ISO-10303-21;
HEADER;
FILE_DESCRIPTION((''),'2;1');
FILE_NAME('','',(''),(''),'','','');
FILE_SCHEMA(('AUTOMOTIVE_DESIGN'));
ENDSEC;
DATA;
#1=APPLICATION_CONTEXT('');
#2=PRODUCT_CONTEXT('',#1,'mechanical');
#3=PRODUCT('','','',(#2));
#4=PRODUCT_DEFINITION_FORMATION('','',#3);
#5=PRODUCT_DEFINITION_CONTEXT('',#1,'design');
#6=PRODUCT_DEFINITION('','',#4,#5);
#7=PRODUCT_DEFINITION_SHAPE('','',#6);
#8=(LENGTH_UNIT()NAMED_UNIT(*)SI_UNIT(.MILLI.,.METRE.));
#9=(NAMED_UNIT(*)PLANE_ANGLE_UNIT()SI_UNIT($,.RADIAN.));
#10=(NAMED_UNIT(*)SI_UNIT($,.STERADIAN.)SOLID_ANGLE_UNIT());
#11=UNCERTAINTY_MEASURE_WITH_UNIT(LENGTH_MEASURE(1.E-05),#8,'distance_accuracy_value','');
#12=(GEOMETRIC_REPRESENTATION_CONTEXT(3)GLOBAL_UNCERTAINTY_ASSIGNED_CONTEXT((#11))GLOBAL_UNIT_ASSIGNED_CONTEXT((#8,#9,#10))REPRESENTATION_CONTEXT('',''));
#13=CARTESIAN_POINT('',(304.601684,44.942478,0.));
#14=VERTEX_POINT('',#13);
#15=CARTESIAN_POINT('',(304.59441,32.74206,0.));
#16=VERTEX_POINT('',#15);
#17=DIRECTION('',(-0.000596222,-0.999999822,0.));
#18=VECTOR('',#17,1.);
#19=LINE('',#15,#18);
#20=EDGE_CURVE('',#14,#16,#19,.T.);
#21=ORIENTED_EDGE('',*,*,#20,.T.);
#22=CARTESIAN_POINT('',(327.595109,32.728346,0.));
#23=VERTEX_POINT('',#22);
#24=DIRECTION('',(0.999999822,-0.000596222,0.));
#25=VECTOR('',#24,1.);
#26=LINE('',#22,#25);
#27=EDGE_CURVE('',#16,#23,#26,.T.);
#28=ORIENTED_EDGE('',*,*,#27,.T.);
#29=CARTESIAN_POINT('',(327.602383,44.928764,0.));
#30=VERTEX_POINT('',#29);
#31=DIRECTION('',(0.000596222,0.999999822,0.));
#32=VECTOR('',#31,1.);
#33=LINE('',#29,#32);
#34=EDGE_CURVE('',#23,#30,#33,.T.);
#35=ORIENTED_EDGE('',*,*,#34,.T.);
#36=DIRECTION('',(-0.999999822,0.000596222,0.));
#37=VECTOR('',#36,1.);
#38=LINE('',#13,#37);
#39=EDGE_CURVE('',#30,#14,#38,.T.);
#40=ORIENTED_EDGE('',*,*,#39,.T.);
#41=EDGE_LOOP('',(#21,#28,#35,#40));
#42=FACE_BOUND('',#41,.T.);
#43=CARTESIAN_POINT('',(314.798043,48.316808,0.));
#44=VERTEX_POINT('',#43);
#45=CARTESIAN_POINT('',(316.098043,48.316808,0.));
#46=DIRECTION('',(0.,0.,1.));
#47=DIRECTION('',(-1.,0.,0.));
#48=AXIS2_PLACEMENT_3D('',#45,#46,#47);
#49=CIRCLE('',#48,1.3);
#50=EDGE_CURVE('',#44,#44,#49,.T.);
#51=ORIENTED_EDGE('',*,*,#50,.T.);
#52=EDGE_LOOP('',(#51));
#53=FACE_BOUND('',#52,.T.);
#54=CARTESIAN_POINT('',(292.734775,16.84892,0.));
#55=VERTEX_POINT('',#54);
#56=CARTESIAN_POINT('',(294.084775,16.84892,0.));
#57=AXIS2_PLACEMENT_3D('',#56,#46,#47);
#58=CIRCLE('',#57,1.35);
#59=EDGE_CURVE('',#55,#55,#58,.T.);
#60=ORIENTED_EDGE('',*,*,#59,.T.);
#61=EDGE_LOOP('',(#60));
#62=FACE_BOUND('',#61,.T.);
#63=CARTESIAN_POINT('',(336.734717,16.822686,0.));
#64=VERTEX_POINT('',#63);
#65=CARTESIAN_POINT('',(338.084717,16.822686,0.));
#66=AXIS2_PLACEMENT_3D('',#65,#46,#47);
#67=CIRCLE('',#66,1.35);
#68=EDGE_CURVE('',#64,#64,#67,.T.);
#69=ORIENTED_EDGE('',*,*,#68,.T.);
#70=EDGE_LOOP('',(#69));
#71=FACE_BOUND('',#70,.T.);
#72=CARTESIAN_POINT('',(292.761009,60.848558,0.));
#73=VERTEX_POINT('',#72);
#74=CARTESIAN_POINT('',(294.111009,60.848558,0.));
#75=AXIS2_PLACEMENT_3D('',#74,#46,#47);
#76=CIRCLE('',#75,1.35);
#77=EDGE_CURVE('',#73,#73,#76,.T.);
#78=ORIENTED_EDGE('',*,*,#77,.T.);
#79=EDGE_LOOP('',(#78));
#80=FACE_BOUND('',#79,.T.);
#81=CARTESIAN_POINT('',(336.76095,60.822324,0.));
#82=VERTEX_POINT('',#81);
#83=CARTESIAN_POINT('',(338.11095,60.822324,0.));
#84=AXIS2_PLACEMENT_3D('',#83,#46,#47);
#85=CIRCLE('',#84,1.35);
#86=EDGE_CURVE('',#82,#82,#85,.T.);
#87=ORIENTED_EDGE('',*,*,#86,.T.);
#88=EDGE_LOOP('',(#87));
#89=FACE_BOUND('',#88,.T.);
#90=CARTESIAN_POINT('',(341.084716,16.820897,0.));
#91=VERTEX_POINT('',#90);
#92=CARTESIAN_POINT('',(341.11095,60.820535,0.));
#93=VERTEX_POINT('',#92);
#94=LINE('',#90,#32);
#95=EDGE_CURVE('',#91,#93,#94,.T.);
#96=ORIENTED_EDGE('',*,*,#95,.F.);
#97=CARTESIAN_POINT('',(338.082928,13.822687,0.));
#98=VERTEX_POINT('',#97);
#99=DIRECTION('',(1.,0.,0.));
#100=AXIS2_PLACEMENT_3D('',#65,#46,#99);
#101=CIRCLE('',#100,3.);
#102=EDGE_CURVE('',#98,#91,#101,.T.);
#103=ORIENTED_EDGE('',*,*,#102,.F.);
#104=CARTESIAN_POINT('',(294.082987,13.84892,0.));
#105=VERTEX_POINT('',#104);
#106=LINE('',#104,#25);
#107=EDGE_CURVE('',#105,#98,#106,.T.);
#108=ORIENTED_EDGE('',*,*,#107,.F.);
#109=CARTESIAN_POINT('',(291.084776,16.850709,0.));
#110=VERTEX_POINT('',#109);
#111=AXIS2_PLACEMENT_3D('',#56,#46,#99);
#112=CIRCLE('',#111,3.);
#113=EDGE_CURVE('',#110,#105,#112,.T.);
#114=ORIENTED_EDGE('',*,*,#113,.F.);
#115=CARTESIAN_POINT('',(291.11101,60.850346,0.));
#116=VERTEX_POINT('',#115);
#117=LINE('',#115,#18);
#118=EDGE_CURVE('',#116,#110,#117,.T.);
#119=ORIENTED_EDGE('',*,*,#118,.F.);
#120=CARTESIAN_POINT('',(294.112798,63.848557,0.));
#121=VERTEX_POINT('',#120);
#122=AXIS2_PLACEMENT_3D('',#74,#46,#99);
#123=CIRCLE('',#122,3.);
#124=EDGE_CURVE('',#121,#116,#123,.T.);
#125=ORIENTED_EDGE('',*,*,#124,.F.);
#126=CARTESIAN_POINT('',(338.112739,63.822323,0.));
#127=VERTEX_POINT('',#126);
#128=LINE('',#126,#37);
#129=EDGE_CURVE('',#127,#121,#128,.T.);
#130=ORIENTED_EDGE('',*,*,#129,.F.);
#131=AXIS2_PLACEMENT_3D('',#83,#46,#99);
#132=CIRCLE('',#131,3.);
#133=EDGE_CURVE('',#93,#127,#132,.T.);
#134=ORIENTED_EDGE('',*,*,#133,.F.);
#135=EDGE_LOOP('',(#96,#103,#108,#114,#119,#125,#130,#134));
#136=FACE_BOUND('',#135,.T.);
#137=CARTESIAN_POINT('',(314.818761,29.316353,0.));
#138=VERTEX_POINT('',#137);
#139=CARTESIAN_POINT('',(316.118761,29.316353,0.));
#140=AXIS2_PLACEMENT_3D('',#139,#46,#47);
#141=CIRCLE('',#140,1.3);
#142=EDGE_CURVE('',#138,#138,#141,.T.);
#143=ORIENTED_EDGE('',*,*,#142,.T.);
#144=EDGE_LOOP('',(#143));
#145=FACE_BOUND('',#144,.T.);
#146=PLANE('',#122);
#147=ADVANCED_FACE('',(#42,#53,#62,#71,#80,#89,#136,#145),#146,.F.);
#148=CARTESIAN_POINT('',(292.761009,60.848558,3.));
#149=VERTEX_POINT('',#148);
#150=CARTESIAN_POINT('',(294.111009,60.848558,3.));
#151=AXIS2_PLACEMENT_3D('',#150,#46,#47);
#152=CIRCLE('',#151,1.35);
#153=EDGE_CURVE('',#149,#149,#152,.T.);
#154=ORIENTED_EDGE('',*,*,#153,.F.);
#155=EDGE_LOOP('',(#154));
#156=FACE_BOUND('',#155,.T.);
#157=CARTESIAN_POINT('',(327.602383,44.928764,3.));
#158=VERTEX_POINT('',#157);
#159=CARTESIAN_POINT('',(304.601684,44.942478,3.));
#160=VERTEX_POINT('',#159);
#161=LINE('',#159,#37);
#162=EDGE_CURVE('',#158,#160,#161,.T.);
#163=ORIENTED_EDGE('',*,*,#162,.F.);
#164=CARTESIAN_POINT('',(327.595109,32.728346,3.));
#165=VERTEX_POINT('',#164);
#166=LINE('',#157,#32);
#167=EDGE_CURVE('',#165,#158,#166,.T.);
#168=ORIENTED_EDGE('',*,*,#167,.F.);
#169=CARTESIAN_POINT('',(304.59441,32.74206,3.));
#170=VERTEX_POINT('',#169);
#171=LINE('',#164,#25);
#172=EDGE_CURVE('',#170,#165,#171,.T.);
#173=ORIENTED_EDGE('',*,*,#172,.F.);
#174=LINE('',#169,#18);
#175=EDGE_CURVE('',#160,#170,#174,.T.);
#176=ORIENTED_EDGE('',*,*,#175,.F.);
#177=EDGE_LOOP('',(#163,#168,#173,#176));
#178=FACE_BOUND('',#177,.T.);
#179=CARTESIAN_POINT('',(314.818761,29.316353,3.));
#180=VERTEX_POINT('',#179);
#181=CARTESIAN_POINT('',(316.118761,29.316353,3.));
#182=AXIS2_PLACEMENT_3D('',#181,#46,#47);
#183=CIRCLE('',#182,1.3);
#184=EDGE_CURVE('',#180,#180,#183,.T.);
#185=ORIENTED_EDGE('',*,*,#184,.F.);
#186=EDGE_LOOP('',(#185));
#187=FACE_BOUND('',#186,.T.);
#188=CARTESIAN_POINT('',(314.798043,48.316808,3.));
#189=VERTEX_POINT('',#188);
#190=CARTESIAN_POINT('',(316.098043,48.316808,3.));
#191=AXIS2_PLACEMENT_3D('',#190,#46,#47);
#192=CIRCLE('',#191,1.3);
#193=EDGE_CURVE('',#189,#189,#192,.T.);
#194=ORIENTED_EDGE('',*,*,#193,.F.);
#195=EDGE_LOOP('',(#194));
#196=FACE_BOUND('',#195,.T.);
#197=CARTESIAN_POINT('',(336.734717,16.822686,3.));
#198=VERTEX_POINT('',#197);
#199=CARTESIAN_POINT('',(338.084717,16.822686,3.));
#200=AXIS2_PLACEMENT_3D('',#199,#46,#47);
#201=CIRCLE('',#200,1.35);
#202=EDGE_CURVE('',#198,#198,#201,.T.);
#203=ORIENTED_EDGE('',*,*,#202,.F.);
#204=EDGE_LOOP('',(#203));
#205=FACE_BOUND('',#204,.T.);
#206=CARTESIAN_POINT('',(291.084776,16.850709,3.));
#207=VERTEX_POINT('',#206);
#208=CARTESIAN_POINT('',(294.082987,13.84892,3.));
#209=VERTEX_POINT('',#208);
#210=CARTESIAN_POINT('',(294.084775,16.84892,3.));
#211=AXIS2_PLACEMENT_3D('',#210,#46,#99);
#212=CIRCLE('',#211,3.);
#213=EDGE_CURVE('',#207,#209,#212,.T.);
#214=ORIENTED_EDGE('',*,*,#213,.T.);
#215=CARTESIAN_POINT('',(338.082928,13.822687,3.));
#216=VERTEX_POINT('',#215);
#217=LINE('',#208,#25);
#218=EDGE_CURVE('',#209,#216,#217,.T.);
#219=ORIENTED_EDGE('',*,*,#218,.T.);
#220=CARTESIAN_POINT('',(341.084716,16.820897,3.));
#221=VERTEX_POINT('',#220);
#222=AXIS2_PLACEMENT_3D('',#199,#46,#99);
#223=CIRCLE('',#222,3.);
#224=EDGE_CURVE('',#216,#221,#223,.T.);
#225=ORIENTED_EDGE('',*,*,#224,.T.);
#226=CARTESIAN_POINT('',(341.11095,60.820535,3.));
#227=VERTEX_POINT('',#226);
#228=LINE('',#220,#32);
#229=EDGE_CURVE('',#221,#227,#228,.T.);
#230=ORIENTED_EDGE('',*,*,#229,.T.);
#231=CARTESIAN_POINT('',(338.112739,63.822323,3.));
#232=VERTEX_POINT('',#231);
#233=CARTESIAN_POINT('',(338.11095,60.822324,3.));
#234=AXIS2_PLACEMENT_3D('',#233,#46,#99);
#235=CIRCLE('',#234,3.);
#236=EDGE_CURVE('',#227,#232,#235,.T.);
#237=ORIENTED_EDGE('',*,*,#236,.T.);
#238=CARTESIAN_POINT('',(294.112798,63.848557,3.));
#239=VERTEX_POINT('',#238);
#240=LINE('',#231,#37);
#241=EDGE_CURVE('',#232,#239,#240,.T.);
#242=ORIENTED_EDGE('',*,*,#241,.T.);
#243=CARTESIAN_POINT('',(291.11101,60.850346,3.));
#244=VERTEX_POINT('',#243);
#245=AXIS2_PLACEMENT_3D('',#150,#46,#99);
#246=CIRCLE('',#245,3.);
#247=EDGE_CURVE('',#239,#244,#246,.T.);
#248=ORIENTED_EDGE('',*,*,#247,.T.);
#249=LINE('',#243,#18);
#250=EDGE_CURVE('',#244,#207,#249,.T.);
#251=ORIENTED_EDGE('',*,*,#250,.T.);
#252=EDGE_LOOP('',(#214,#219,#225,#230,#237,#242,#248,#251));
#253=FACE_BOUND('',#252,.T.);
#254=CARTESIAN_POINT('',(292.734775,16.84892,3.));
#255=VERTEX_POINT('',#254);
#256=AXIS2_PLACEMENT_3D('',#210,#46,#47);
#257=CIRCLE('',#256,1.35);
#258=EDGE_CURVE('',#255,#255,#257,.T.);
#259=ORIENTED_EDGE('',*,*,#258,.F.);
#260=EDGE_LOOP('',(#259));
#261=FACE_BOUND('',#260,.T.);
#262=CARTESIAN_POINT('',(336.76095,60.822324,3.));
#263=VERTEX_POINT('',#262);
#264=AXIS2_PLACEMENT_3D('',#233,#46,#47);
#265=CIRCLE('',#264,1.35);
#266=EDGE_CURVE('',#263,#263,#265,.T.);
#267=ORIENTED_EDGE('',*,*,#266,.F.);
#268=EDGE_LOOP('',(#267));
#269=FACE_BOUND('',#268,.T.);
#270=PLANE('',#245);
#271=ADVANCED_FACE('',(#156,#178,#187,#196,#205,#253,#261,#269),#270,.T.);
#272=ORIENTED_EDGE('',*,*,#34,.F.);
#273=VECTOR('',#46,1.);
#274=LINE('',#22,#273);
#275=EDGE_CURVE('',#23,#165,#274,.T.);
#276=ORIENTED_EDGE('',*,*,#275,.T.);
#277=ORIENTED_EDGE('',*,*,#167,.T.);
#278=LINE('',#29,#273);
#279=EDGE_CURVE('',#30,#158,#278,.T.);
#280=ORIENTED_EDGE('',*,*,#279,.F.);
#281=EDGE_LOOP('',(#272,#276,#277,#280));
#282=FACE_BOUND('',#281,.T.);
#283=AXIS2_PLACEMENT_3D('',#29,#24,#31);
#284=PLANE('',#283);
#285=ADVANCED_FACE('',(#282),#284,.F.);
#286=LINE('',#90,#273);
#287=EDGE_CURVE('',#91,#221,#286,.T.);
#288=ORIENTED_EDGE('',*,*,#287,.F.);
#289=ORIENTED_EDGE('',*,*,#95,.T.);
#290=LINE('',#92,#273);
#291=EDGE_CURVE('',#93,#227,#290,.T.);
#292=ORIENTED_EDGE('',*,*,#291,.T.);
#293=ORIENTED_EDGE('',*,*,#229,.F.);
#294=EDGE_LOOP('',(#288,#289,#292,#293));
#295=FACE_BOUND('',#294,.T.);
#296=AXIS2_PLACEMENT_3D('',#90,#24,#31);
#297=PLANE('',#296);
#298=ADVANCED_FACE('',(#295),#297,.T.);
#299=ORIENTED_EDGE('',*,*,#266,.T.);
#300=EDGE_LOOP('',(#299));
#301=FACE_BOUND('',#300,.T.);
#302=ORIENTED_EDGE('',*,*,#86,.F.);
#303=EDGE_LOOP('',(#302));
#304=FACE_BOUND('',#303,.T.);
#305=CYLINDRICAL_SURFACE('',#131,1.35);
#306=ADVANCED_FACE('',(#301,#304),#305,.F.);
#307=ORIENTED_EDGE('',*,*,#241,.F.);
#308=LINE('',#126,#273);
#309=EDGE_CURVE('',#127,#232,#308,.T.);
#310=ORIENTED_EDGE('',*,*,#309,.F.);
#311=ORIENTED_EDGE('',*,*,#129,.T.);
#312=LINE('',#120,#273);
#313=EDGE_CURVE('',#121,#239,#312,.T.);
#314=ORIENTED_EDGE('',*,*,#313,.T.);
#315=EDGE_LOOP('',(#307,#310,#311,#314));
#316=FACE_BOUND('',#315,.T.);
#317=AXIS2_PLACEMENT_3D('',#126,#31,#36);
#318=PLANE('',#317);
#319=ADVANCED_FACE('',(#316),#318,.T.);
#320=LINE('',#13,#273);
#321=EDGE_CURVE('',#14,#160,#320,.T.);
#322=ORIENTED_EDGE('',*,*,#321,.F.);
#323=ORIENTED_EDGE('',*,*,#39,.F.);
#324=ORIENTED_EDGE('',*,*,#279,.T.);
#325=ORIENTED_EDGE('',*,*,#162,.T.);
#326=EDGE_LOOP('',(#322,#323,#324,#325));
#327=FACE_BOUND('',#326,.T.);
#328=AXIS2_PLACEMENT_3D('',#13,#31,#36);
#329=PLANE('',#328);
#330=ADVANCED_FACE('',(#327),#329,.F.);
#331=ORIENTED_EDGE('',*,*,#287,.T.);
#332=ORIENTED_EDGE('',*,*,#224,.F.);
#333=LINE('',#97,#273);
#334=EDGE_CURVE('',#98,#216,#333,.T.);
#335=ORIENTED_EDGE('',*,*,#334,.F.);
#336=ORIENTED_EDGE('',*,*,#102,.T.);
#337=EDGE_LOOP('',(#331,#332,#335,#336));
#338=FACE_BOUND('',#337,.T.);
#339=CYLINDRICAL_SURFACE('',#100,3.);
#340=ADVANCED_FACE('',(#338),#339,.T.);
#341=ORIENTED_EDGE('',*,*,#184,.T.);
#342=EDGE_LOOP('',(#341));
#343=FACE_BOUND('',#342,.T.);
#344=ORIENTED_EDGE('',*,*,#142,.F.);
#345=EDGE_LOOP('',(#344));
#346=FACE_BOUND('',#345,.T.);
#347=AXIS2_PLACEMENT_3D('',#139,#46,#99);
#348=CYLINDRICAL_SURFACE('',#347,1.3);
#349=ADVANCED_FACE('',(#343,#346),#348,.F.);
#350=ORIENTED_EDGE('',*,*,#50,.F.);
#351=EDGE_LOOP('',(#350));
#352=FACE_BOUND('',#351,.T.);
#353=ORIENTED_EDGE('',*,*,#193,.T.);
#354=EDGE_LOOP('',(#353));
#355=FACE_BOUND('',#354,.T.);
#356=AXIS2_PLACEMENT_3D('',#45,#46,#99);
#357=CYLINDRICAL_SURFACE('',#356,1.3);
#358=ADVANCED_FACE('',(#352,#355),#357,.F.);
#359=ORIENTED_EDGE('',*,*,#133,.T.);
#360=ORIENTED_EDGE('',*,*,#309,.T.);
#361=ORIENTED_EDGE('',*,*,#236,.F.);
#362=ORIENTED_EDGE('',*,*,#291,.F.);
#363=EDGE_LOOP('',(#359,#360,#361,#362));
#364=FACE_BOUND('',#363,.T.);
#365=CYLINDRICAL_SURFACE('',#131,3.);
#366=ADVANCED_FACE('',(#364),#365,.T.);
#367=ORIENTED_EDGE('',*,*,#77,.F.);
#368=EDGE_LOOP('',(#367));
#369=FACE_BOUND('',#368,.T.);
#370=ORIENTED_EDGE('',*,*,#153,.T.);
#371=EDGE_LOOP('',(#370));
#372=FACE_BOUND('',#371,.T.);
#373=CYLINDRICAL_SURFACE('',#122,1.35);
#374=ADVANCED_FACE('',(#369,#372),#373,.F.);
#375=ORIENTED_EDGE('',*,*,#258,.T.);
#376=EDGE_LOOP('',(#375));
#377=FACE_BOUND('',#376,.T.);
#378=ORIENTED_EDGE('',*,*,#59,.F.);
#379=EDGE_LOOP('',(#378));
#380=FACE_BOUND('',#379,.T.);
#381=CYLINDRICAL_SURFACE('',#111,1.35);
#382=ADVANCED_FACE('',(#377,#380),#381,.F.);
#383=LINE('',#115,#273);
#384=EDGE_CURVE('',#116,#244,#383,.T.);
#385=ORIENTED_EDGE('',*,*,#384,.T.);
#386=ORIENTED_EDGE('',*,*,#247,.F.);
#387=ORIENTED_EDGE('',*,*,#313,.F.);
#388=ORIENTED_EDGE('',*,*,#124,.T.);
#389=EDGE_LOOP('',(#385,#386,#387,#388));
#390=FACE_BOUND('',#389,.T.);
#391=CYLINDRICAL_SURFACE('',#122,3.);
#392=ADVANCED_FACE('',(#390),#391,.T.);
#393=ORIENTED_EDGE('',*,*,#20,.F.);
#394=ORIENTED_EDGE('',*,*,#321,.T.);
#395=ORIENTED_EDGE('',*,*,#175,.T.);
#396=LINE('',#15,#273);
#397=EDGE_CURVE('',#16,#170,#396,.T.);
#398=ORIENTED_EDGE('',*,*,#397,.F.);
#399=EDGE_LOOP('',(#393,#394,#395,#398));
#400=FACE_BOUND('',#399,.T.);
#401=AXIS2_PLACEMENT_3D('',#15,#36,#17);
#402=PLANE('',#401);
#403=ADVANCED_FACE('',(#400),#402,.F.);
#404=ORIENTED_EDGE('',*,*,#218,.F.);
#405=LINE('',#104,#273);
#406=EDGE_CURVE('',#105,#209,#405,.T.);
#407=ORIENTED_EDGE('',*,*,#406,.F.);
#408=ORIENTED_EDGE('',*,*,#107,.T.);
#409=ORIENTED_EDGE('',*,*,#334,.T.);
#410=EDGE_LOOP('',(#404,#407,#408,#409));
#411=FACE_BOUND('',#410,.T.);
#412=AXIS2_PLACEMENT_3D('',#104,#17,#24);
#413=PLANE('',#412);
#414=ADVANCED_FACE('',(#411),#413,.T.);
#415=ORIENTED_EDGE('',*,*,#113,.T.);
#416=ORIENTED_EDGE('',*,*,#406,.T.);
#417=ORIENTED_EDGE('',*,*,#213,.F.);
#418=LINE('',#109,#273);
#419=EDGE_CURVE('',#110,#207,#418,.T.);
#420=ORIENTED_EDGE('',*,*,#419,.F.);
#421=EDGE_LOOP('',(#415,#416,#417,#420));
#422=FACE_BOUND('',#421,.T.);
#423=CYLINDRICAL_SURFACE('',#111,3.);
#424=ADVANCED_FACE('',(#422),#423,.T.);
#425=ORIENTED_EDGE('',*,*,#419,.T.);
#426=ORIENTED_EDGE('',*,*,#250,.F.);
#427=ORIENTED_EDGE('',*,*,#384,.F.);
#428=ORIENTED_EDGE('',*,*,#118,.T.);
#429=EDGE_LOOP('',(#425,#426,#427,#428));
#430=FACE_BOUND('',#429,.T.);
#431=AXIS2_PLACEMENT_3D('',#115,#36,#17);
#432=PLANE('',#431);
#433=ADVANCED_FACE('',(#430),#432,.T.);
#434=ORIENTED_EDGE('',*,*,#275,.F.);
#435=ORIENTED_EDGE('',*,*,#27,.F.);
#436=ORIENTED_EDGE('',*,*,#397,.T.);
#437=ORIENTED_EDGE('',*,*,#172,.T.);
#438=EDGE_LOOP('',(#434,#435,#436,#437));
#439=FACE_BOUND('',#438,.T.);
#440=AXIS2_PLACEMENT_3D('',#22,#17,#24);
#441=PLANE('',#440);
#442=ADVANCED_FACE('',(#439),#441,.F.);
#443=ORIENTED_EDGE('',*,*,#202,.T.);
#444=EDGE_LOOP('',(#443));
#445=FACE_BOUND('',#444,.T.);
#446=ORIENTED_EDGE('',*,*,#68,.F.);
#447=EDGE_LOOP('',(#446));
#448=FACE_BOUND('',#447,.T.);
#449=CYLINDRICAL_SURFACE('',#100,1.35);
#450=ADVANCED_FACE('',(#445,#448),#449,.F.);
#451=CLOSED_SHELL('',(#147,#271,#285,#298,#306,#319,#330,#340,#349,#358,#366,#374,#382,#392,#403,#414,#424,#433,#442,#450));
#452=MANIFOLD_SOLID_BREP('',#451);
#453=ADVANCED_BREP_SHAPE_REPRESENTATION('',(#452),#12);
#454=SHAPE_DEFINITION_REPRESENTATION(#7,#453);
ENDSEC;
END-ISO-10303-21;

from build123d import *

# Parameters (mm, degrees)
SKETCH_1_R      = 1.35
SKETCH_1_R_2    = 1.3
EXTRUDE_1_DEPTH = 3


with BuildPart() as part:
    # 草图1 → 凸台-拉伸1 (new body)
    with BuildSketch(Plane.XY.offset(3)):
        with BuildLine():
            Line((291.111009591, 60.850346254), (291.08477602, 16.850708535))
            ThreePointArc((291.08477602, 16.850708535), (291.962190742, 14.728864681), (294.08298682, 13.848920402))
            Line((294.08298682, 13.848920402), (338.082927985, 13.82268665))
            ThreePointArc((338.082927985, 13.82268665), (340.20477184, 14.700101372), (341.084716119, 16.82089745))
            Line((341.084716119, 16.82089745), (341.11094969, 60.820535169))
            ThreePointArc((341.11094969, 60.820535169), (340.233534968, 62.942379024), (338.11273889, 63.822323303))
            Line((338.11273889, 63.822323303), (294.112797724, 63.848557054))
            ThreePointArc((294.112797724, 63.848557054), (291.990953869, 62.971142333), (291.111009591, 60.850346254))
        make_face()
        with Locations(Location((338.084716652, 16.822686117, 0), (0, 0, 180))):
            Circle(SKETCH_1_R, mode=Mode.SUBTRACT)
        with Locations(Location((294.111009057, 60.848557587, 0), (0, 0, 180))):
            Circle(SKETCH_1_R, mode=Mode.SUBTRACT)
        with Locations(Location((338.110950223, 60.822323836, 0), (0, 0, 180))):
            Circle(SKETCH_1_R, mode=Mode.SUBTRACT)
        with Locations(Location((294.084775487, 16.848919869, 0), (0, 0, 180))):
            Circle(SKETCH_1_R, mode=Mode.SUBTRACT)
        with Locations(Location((316.118760947, 29.316353397, 0), (0, 0, 180))):
            Circle(SKETCH_1_R_2, mode=Mode.SUBTRACT)
        with Locations(Location((316.098042718, 48.316807582, 0), (0, 0, 180))):
            Circle(SKETCH_1_R_2, mode=Mode.SUBTRACT)
        Polygon((304.601683778, 44.942477784), (327.602382744, 44.928764251), (327.595108581, 32.728346323), (304.594409616, 32.742059855), align=None, mode=Mode.SUBTRACT)
    extrude(amount=-EXTRUDE_1_DEPTH)


solid = part.part
